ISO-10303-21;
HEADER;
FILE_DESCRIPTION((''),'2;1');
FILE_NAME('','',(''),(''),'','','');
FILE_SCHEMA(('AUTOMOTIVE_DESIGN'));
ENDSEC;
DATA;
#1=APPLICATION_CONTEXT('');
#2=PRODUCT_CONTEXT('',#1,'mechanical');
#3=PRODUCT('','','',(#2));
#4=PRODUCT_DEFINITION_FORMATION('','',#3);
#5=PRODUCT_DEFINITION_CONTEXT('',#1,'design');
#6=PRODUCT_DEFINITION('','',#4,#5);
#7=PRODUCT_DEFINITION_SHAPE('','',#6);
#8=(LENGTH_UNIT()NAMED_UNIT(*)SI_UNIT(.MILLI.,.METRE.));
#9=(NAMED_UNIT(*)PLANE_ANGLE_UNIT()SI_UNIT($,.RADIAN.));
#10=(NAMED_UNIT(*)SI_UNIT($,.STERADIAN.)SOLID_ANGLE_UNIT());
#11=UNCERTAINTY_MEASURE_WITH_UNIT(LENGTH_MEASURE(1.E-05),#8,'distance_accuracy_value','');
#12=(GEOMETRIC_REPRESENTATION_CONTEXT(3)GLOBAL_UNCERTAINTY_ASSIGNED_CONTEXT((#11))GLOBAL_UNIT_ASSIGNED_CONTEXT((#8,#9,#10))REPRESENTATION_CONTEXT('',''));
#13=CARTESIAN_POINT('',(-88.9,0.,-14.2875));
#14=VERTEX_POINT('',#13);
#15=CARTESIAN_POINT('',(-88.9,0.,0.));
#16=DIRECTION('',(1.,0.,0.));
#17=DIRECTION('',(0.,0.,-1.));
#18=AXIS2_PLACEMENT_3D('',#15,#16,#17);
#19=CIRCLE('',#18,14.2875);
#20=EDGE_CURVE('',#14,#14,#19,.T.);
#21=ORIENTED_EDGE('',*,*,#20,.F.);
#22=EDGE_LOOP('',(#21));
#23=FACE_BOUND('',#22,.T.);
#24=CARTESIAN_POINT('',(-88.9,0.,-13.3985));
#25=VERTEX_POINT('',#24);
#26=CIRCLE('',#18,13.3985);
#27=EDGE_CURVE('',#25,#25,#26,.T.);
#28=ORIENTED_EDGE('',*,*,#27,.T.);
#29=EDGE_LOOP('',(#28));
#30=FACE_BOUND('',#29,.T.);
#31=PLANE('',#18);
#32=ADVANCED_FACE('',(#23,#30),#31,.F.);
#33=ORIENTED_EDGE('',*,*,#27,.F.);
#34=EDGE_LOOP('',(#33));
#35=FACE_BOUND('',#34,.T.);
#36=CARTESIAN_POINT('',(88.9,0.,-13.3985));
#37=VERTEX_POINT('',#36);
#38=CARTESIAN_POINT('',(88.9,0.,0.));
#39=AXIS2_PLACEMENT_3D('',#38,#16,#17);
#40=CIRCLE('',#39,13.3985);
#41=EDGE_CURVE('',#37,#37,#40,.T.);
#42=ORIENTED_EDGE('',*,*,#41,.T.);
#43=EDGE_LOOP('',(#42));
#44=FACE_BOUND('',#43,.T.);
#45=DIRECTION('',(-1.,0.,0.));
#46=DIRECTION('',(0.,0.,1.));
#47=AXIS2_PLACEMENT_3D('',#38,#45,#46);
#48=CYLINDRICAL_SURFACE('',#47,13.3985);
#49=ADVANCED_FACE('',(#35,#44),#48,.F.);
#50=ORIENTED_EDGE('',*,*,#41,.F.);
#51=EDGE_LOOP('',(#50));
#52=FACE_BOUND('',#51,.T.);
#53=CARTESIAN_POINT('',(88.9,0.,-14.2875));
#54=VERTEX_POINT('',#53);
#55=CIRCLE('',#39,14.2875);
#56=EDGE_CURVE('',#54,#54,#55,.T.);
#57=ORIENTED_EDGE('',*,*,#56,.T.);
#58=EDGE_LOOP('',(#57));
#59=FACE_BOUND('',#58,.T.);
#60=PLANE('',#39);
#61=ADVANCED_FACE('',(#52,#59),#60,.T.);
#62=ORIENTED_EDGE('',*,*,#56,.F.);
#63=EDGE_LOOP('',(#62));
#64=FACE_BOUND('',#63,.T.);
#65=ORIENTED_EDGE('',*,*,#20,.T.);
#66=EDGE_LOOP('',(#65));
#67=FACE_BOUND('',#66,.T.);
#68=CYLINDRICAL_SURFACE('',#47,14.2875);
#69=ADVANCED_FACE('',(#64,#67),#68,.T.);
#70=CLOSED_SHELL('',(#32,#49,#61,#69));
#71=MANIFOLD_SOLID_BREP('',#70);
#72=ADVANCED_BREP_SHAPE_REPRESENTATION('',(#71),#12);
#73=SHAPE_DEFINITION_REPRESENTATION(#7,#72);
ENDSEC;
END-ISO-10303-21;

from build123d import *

# Parameters (mm, degrees)
SKETCH1_R           = 14.2875
SKETCH1_R_2         = 13.3985
BOSS_EXTRUDE1_DEPTH = 88.9


with BuildPart() as part:
    # Sketch1 → Boss-Extrude1 (new, symmetric)
    with BuildSketch(Plane(origin=(0, 0, 0), x_dir=(0, 0, -1), z_dir=(1, 0, 0))):
        Circle(SKETCH1_R)
        Circle(SKETCH1_R_2, mode=Mode.SUBTRACT)
    extrude(amount=BOSS_EXTRUDE1_DEPTH, both=True)


solid = part.part
